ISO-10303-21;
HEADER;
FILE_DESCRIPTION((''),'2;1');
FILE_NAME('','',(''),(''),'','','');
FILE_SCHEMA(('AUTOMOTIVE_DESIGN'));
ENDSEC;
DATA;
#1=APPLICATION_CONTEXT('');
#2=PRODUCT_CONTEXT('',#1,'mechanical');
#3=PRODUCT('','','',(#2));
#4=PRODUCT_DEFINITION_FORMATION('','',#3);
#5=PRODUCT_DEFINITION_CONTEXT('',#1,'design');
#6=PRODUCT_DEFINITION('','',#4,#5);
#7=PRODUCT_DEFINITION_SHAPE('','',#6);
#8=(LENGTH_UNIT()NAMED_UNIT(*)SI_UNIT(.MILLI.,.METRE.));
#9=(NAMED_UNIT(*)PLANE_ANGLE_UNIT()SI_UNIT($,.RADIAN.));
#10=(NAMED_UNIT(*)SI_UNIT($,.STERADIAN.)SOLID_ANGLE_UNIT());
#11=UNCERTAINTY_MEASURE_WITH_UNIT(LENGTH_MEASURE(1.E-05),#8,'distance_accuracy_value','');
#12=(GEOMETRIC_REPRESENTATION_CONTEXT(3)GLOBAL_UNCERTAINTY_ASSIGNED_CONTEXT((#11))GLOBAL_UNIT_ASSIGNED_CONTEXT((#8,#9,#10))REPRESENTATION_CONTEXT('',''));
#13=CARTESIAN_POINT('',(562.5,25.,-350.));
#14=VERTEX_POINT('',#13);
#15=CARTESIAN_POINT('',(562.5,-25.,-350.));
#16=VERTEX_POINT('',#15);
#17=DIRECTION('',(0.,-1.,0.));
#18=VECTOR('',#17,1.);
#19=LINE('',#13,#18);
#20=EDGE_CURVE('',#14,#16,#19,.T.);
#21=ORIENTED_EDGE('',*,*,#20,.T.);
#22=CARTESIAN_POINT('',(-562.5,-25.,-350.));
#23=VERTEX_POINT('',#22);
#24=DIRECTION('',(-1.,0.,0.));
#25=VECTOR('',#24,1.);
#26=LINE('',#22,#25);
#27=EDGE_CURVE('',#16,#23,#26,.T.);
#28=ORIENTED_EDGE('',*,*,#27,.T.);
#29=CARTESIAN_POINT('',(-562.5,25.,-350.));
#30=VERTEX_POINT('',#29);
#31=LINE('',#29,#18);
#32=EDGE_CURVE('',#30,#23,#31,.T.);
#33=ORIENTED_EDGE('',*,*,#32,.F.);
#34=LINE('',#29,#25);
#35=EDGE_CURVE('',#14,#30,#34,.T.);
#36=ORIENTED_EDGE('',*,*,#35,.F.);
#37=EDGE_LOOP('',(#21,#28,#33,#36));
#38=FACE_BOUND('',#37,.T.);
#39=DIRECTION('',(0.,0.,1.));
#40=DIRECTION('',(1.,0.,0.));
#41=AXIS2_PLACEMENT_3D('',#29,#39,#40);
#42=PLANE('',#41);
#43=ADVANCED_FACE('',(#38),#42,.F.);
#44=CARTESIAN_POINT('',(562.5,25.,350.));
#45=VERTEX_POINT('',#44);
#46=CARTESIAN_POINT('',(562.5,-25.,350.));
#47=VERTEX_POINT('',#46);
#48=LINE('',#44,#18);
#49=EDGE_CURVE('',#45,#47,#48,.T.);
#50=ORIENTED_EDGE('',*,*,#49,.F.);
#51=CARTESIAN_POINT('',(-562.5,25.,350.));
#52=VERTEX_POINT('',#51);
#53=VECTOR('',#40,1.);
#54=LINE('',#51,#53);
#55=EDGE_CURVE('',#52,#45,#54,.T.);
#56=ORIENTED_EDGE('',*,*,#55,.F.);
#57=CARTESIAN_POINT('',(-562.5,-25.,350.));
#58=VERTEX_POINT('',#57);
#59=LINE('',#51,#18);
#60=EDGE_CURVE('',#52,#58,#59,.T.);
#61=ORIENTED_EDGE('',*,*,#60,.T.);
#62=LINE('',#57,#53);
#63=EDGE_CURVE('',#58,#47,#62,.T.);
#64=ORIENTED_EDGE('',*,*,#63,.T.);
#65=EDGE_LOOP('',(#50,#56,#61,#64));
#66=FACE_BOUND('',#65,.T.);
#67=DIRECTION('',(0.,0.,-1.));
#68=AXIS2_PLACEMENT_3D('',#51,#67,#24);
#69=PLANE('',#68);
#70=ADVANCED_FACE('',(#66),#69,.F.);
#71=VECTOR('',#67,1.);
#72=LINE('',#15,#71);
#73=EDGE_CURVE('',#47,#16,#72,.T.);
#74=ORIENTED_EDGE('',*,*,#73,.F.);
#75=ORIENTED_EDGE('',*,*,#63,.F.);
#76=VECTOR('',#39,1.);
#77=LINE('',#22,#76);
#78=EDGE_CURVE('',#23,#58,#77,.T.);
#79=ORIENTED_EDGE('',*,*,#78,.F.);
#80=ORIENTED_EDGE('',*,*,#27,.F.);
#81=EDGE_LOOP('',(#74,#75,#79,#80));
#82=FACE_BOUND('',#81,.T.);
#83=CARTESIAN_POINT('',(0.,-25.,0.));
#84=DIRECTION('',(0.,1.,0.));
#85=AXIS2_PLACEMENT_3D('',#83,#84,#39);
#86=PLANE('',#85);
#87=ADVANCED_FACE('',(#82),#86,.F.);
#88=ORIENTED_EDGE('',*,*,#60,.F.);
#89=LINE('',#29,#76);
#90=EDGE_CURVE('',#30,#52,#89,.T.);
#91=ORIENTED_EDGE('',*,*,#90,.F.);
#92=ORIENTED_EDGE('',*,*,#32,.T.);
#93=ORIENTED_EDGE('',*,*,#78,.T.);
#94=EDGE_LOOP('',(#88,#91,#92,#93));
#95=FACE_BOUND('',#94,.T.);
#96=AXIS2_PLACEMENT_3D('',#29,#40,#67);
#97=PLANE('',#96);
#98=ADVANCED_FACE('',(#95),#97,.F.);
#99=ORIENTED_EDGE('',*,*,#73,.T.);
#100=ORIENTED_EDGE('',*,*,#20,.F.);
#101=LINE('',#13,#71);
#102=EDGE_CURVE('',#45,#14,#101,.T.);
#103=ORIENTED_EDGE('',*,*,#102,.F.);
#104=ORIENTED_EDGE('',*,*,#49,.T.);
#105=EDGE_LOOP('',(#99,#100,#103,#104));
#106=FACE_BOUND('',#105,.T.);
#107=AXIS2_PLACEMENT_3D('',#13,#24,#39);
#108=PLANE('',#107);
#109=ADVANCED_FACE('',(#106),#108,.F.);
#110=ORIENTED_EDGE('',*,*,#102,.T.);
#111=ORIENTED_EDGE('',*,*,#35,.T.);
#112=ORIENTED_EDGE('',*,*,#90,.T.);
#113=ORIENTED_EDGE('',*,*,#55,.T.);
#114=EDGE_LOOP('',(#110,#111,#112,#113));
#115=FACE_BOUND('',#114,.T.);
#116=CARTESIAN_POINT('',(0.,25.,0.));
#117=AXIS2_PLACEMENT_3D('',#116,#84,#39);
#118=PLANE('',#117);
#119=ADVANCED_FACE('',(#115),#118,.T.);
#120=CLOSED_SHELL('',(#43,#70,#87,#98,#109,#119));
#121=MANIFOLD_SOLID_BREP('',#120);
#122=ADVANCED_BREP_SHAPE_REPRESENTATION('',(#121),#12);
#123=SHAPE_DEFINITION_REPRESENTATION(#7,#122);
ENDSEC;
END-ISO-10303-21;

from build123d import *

# Parameters (mm, degrees)
SKETCH1_W           = 1125
SKETCH1_H           = 700
BOSS_EXTRUDE1_DEPTH = 25


with BuildPart() as part:
    # Sketch1 → Boss-Extrude1 (new, symmetric)
    with BuildSketch(Plane(origin=(0, 0, 0), x_dir=(1, 0, 0), z_dir=(0, 1, 0))):
        Rectangle(SKETCH1_W, SKETCH1_H)
    extrude(amount=BOSS_EXTRUDE1_DEPTH, both=True)


solid = part.part
